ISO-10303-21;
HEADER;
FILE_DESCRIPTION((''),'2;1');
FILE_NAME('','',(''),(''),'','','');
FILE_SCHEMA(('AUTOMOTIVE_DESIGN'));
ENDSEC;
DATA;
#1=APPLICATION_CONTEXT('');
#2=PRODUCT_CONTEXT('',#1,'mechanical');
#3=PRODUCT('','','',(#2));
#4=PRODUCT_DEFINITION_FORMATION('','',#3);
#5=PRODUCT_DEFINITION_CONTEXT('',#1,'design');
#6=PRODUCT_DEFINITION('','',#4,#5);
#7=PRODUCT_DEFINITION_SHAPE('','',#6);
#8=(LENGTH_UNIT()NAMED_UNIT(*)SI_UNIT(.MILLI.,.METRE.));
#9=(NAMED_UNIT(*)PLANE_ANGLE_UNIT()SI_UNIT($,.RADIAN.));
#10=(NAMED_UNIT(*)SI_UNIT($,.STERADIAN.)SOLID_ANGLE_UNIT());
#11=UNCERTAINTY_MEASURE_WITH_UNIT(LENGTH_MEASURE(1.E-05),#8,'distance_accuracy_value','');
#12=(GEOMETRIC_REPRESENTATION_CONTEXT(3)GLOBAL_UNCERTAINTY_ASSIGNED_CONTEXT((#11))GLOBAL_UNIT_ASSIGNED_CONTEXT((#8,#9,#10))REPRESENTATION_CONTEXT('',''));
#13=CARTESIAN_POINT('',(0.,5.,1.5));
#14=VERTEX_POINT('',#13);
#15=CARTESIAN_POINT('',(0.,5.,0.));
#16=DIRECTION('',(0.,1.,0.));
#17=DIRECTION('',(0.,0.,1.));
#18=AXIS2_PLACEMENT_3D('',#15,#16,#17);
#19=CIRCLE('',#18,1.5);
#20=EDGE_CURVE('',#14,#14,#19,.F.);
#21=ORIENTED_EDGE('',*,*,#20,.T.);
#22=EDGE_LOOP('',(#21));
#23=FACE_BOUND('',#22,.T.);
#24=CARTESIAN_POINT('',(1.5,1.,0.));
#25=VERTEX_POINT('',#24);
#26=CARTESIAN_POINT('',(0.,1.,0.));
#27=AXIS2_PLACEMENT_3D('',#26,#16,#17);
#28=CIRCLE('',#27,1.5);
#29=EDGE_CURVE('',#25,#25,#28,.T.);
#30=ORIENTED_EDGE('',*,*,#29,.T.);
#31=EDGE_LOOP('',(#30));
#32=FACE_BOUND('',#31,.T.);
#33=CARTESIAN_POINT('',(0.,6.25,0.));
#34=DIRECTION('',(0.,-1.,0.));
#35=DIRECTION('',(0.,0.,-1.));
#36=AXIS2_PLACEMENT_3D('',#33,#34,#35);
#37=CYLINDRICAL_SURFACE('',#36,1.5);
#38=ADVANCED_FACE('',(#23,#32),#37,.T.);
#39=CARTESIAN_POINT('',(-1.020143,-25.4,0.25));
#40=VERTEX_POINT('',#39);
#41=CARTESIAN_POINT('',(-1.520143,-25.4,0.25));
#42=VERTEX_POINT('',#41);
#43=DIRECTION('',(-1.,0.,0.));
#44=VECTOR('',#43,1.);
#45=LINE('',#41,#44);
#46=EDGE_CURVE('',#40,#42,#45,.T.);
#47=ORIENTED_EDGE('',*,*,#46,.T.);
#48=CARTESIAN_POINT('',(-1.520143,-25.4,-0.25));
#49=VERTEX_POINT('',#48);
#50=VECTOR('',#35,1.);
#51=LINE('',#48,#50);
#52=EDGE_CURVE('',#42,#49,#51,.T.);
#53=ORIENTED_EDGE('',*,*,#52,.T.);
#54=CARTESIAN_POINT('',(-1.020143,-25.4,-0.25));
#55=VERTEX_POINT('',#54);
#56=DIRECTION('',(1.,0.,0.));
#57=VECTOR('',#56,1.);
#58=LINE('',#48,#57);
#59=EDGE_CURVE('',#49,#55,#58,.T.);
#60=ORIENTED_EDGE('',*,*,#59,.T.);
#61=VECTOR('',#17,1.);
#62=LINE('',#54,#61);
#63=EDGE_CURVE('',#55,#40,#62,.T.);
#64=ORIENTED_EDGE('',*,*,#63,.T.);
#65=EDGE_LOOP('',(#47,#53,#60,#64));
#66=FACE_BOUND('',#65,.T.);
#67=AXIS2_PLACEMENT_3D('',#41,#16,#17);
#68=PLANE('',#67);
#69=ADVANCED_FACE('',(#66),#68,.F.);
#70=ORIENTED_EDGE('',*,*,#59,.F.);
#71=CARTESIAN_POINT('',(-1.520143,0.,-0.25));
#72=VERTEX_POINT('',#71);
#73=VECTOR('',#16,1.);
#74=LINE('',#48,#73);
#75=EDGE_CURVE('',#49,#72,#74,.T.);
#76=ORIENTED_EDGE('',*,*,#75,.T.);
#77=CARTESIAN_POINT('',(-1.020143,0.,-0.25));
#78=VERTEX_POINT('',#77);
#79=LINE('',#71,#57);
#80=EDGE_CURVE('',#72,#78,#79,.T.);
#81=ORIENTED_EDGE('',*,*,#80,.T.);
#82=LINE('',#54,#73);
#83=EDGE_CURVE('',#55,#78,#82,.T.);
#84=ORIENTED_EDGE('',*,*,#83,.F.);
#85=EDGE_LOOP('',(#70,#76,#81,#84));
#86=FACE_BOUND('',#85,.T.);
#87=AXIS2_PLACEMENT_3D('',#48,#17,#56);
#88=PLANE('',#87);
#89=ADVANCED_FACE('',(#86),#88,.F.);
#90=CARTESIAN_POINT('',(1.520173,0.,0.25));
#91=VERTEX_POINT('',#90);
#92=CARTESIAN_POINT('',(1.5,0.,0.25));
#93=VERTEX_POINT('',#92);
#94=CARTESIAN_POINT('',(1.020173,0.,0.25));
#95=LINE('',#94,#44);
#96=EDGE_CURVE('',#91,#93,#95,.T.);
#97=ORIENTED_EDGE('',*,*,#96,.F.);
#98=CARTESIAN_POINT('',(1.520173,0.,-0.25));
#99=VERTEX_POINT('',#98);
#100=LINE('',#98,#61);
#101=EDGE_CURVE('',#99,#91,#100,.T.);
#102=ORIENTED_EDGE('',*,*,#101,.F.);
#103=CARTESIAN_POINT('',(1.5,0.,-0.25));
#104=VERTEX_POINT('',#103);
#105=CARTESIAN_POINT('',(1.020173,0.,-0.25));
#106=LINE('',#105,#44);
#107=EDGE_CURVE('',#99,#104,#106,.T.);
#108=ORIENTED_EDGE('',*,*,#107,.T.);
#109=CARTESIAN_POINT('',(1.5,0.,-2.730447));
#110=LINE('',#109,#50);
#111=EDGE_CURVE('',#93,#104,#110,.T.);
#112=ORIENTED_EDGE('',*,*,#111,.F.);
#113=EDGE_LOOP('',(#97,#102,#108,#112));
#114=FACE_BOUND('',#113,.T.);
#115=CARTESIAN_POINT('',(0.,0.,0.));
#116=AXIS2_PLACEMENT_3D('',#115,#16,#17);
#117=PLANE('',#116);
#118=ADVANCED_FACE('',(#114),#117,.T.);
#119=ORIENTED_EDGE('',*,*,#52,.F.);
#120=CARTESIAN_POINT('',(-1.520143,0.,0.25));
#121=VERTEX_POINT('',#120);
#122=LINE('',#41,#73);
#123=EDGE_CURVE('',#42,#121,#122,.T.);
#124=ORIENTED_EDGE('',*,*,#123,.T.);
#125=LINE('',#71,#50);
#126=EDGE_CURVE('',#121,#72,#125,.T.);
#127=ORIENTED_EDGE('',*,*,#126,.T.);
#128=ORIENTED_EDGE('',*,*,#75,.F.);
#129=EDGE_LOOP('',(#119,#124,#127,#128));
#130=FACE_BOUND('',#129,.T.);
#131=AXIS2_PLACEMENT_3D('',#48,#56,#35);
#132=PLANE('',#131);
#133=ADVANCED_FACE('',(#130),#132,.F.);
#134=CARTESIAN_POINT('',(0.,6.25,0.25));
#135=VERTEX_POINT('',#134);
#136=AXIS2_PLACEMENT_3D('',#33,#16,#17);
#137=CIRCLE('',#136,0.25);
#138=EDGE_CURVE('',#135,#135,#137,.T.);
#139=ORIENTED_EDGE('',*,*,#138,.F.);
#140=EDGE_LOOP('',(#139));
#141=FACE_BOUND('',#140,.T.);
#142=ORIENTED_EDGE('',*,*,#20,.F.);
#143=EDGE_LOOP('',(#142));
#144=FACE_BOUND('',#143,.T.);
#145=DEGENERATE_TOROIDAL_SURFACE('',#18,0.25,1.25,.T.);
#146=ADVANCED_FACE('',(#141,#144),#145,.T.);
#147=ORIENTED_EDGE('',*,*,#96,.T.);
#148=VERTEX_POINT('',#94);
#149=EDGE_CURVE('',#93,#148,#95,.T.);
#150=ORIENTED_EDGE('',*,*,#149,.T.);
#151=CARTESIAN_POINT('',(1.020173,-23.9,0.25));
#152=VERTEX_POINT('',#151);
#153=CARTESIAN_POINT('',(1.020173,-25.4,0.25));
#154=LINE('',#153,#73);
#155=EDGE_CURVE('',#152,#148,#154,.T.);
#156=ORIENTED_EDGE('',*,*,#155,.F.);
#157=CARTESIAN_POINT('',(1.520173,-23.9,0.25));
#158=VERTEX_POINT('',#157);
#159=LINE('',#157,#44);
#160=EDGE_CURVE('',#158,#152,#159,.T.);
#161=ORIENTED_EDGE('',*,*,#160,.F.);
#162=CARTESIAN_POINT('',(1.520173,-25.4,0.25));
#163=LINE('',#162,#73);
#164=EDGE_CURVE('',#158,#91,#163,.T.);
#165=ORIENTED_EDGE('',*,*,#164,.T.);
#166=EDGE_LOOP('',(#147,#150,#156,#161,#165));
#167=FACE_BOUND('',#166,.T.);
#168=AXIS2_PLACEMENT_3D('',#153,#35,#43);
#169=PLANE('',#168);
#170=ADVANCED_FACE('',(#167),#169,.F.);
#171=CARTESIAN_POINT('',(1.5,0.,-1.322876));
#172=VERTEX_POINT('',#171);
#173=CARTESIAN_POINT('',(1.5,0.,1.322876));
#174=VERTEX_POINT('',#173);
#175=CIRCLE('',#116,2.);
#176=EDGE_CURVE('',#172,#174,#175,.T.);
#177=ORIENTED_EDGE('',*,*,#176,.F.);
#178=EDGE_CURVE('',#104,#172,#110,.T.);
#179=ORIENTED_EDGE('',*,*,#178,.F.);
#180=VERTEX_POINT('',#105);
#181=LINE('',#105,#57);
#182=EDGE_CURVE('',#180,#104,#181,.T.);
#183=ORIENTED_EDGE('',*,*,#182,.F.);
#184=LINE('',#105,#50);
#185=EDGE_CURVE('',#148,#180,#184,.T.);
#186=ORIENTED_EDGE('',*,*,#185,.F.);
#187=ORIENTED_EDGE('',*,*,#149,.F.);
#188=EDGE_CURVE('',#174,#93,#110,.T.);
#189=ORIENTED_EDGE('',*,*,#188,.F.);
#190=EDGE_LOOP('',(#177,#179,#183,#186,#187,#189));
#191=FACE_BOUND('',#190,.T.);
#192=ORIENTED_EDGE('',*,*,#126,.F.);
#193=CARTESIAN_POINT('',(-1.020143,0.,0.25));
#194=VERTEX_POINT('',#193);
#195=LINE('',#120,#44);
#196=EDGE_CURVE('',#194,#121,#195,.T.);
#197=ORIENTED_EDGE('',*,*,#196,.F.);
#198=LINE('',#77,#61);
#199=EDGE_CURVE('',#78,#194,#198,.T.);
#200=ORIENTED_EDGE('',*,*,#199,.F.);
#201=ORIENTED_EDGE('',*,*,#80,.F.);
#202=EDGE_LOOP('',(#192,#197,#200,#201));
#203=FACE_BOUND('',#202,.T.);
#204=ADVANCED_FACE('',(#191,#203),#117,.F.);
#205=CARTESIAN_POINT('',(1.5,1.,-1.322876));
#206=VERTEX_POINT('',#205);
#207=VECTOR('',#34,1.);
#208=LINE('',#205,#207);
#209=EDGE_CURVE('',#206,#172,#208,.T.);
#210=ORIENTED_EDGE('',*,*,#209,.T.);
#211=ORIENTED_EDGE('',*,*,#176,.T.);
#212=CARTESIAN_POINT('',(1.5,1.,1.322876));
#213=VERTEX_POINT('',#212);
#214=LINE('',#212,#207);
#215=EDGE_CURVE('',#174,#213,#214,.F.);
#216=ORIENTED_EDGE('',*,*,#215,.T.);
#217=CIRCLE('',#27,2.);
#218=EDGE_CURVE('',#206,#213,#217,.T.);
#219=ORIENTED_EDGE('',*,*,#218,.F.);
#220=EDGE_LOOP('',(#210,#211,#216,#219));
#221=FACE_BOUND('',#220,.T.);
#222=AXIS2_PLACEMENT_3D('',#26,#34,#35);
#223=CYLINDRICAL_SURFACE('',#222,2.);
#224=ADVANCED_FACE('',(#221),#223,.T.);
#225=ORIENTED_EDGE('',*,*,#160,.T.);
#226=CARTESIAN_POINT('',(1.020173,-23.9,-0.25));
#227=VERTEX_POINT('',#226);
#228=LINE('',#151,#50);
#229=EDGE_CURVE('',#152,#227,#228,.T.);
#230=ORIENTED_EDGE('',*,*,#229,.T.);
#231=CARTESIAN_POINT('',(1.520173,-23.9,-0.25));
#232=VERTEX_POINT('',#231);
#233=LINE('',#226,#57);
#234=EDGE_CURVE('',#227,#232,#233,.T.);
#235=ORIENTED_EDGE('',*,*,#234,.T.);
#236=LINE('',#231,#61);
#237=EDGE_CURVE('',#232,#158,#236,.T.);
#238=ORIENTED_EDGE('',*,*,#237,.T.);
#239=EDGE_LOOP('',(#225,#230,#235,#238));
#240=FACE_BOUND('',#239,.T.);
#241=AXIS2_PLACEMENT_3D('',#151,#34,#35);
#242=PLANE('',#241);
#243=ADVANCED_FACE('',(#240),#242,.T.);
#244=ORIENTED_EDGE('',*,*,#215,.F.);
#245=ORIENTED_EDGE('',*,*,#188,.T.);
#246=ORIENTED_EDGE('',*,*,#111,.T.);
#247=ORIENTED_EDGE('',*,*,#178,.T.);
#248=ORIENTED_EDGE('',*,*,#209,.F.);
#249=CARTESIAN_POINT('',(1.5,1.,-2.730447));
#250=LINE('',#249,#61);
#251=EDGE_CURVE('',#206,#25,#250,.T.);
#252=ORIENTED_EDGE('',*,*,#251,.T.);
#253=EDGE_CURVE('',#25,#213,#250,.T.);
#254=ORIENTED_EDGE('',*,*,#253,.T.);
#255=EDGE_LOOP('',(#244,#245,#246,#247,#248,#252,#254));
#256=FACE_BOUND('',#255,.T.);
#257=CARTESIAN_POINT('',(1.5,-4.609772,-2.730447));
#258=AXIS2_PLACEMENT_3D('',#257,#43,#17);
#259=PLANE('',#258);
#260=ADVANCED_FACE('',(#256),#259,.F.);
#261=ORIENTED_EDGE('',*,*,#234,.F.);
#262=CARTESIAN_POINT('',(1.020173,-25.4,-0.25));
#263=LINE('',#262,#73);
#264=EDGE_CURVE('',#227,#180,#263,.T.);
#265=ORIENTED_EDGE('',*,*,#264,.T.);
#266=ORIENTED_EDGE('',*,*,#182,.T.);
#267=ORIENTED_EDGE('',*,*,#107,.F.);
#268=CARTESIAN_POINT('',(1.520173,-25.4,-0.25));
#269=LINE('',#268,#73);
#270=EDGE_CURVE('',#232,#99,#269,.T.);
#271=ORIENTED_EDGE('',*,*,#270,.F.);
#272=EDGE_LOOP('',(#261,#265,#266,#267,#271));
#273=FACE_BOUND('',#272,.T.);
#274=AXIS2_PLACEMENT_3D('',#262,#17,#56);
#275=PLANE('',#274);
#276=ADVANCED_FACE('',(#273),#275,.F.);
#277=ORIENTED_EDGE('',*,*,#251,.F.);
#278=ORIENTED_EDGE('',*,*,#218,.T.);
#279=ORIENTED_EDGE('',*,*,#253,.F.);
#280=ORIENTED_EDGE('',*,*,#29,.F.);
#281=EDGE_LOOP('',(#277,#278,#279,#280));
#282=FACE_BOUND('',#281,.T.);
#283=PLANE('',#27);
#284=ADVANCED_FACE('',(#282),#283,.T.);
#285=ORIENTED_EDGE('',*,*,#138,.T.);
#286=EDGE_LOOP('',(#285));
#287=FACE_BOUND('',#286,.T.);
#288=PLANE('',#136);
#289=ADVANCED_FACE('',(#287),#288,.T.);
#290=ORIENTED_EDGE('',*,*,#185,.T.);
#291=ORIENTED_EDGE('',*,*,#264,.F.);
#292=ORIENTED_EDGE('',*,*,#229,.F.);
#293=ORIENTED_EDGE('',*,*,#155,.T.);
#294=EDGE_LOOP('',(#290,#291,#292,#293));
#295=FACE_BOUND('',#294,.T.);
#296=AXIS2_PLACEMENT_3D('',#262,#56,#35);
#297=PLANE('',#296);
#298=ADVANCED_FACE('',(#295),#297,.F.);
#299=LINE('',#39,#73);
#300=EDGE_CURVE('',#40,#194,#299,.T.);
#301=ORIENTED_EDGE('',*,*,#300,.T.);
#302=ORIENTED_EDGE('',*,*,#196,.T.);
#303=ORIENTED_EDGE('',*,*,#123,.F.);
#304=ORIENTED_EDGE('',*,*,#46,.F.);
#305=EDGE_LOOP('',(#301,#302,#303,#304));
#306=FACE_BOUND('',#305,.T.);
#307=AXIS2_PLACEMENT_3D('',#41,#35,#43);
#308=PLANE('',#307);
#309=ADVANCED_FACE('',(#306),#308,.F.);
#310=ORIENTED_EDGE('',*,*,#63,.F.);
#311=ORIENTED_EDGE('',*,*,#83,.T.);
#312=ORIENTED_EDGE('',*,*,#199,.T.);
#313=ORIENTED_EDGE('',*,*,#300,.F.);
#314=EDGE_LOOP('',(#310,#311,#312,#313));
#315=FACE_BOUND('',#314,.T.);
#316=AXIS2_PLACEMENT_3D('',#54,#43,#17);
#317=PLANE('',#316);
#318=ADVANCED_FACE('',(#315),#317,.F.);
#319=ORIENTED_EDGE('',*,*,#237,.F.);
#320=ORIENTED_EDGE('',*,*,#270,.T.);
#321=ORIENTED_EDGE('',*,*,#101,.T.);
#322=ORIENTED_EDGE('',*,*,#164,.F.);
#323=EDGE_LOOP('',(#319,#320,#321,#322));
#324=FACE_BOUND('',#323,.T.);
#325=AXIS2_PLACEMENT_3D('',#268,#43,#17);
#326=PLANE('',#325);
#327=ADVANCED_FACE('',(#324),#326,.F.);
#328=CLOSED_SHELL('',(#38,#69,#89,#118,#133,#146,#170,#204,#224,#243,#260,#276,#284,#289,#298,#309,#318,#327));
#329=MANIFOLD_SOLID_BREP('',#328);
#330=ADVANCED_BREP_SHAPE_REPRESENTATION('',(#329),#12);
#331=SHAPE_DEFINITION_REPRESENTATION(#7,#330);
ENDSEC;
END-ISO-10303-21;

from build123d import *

# Parameters (mm, degrees)
CROQUIS1_R           = 2
BASE_DEPTH           = 1
CROQUIS2_R           = 1.5
CUERPO_DEL_LED_DEPTH = 5.25
CROQUIS3_W           = 0.5
CROQUIS3_H           = 0.5
PINES_DEPTH          = 25.4
CROQUIS4_W           = 0.5
CROQUIS4_H           = 0.5
CORTE_A_CATODO_DEPTH = 1.5
CROQUIS6_W           = 1
CROQUIS6_H           = 4.5
RANURA_DEPTH         = 1
PUNTA_DEL_LED_R      = 1.25


with BuildPart() as part:
    # Croquis1 → Base (new body)
    with BuildSketch(Plane(origin=(0, 0, 0), x_dir=(1, 0, 0), z_dir=(0, 1, 0))):
        with Locations(Location((0, 0, 0), (0, 0, 270))):
            Circle(CROQUIS1_R)
    extrude(amount=BASE_DEPTH)

    # Croquis2 → Cuerpo del LED (add)
    with BuildSketch(Plane(origin=(0, 1, 0), x_dir=(1, 0, 0), z_dir=(0, 1, 0))):
        with Locations(Location((0, 0, 0), (0, 0, 90))):
            Circle(CROQUIS2_R)
    extrude(amount=CUERPO_DEL_LED_DEPTH)

    # Croquis3 → Pines (add)
    with BuildSketch(Plane.XZ):
        with Locations((-1.270142923, 0)):
            Rectangle(CROQUIS3_W, CROQUIS3_H)
        with Locations((1.270172723, 0)):
            Rectangle(CROQUIS3_W, CROQUIS3_H)
    extrude(amount=PINES_DEPTH)

    # Croquis4 → Corte a Catodo (cut)
    with BuildSketch(Plane.XZ.offset(25.4)):
        with Locations((1.270172723, 0)):
            Rectangle(CROQUIS4_W, CROQUIS4_H)
    extrude(amount=-CORTE_A_CATODO_DEPTH, mode=Mode.SUBTRACT)

    # Croquis6 → Ranura (cut)
    with BuildSketch(Plane(origin=(0, 1, 0), x_dir=(1, 0, 0), z_dir=(0, 1, 0))):
        with Locations((2, 0.48044739)):
            Rectangle(CROQUIS6_W, CROQUIS6_H)
    extrude(amount=-RANURA_DEPTH, mode=Mode.SUBTRACT)

    # Punta del Led
    punta_del_led_edges = [part.edges().sort_by_distance(p)[0] for p in [
        (0, 6.25, 1.5),
    ]]
    fillet(punta_del_led_edges, radius=PUNTA_DEL_LED_R)


solid = part.part
